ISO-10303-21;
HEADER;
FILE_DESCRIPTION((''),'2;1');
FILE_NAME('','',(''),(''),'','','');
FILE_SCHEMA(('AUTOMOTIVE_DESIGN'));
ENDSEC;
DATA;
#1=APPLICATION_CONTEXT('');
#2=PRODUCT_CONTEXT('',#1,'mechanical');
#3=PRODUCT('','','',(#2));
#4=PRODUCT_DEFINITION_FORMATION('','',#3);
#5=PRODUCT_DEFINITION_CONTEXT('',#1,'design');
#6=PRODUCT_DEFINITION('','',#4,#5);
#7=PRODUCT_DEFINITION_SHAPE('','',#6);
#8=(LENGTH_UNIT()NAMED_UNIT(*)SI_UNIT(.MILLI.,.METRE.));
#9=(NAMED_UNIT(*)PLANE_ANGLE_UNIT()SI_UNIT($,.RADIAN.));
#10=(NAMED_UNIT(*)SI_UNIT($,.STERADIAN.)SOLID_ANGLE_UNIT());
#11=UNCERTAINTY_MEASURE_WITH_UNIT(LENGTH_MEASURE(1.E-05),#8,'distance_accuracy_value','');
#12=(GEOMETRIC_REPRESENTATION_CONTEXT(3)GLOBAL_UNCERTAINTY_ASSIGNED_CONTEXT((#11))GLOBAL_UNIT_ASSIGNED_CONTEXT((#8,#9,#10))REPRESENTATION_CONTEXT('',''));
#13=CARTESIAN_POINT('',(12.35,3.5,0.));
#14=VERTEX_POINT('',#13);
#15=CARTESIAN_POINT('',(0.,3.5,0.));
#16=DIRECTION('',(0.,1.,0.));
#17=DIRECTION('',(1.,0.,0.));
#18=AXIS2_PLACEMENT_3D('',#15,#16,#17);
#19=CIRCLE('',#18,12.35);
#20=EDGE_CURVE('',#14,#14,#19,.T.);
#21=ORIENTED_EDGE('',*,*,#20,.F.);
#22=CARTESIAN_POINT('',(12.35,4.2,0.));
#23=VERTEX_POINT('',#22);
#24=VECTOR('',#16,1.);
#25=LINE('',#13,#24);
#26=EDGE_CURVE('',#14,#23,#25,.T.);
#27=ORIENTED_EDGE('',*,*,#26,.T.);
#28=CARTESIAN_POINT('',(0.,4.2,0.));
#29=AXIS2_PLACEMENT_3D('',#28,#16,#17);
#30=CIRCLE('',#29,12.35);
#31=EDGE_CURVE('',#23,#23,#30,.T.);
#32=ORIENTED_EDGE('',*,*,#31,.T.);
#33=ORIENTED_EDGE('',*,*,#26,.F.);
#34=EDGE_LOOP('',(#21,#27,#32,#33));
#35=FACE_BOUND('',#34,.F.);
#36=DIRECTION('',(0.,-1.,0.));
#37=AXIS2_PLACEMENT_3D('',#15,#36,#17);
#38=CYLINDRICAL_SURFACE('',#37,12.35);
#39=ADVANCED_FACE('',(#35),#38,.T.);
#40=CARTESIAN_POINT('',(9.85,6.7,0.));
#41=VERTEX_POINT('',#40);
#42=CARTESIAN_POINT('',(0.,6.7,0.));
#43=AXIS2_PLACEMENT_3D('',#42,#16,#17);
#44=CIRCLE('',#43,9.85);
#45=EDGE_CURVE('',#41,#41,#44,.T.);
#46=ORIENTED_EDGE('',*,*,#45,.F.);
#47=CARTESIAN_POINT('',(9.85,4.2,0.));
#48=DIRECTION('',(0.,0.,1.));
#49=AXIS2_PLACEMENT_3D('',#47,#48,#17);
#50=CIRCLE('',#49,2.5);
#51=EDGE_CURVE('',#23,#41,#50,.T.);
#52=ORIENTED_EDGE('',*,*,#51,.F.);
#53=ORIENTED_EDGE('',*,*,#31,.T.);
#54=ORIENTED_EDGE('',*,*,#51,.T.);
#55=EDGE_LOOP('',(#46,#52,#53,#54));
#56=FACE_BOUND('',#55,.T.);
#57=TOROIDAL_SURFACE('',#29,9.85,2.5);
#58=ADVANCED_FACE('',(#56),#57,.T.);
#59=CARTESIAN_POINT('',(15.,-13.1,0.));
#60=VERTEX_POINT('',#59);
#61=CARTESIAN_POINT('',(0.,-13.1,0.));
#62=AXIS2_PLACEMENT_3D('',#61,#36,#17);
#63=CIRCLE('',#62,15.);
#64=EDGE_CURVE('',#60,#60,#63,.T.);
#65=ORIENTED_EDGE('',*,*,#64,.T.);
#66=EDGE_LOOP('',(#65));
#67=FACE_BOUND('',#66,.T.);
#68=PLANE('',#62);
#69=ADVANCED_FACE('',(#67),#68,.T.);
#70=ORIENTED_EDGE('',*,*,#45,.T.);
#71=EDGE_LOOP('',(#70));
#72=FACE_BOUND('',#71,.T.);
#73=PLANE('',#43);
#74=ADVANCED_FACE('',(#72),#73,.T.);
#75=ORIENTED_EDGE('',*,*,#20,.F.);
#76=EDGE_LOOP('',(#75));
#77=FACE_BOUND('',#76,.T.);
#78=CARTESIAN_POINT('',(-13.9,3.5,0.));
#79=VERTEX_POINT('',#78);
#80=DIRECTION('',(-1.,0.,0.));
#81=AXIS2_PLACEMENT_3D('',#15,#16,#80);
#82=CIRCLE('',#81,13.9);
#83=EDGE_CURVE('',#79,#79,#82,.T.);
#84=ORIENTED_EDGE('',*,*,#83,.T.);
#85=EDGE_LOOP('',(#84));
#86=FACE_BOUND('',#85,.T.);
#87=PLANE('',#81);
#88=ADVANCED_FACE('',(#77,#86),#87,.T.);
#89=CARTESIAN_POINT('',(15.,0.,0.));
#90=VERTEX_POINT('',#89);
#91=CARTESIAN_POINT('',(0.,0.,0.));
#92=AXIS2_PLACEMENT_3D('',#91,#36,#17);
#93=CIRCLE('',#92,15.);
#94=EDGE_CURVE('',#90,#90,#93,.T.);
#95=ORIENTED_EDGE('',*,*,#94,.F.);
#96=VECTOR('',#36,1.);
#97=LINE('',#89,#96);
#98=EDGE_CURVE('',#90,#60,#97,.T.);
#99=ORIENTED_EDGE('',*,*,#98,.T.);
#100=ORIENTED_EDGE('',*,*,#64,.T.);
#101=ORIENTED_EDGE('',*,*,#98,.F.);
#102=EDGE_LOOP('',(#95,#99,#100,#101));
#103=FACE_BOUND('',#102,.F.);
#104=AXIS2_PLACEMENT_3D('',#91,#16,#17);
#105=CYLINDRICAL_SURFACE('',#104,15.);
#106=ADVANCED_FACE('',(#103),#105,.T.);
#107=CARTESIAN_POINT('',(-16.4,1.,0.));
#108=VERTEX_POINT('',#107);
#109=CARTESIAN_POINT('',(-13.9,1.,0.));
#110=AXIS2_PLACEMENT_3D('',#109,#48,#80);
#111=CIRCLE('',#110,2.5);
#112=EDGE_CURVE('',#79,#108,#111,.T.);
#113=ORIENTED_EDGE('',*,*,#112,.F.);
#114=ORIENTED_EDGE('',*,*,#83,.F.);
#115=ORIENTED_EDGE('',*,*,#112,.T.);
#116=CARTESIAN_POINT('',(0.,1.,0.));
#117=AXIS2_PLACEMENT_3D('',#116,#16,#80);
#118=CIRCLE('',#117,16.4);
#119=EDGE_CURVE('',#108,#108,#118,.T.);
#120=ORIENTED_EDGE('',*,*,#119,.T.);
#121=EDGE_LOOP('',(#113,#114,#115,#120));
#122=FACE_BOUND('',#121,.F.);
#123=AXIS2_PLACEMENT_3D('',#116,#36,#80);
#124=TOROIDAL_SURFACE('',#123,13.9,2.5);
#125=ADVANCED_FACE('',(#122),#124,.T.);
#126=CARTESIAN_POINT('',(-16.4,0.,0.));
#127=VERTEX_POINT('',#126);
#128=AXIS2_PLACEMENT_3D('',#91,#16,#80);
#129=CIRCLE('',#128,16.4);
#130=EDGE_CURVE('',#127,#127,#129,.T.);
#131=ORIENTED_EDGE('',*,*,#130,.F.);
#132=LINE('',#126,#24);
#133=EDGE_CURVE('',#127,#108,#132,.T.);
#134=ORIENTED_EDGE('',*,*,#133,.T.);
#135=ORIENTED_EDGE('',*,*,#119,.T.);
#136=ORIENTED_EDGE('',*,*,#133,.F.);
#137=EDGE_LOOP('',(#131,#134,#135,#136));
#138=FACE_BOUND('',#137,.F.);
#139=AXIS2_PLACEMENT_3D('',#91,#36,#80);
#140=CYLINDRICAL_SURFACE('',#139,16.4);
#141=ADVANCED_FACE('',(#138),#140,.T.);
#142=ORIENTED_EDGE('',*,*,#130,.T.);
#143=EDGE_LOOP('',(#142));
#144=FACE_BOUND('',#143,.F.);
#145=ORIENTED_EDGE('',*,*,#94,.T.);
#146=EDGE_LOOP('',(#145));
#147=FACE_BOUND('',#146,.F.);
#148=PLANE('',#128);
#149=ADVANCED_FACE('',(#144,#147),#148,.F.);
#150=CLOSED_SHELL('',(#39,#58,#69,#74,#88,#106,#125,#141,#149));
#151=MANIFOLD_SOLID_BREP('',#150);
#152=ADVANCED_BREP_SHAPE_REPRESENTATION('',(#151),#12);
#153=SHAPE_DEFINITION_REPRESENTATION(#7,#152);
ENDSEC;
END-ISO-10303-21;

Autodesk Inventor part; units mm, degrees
ref_plane "YZ Plane" through (0, 0, 0) normal (1, 0, 0) x (0, 1, 0)
ref_plane "XZ Plane" through (0, 0, 0) normal (0, 1, 0) x (-1, 0, 0)
ref_plane "XY Plane" through (0, 0, 0) normal (0, 0, 1) x (1, 0, 0)
sketch "Sketch1" plane through (0, 0, 0) normal (0, 1, 0) x (-1, 0, 0)
  circle A0 centre (0, 0) radius 16.4
  dimension "d0" = 32.8
extrude "Extrusion1" add sketch "Sketch1" along normal blind 3.5
sketch "Sketch2" plane through (0, 3.5, 0) normal (0, 1, 0) x (1, 0, 0)
  circle A0 centre (0, 0) radius 12.35
  dimension "d3" = 24.7
extrude "Extrusion2" add sketch "Sketch2" along normal blind 3.2
fillet "Fillet1" radius 2.5 1 edges at (-12.35, 6.7, 0)
fillet "Fillet2" radius 2.5 1 edges at (16.4, 3.5, 0)
sketch "Sketch3" plane through (0, 0, 0) normal (0, -1, 0) x (1, 0, 0)
  circle A0 centre (0, 0) radius 15
  dimension "d8" = 30
extrude "Extrusion3" add sketch "Sketch3" along normal blind 13.1
properties part number "Large_button"
